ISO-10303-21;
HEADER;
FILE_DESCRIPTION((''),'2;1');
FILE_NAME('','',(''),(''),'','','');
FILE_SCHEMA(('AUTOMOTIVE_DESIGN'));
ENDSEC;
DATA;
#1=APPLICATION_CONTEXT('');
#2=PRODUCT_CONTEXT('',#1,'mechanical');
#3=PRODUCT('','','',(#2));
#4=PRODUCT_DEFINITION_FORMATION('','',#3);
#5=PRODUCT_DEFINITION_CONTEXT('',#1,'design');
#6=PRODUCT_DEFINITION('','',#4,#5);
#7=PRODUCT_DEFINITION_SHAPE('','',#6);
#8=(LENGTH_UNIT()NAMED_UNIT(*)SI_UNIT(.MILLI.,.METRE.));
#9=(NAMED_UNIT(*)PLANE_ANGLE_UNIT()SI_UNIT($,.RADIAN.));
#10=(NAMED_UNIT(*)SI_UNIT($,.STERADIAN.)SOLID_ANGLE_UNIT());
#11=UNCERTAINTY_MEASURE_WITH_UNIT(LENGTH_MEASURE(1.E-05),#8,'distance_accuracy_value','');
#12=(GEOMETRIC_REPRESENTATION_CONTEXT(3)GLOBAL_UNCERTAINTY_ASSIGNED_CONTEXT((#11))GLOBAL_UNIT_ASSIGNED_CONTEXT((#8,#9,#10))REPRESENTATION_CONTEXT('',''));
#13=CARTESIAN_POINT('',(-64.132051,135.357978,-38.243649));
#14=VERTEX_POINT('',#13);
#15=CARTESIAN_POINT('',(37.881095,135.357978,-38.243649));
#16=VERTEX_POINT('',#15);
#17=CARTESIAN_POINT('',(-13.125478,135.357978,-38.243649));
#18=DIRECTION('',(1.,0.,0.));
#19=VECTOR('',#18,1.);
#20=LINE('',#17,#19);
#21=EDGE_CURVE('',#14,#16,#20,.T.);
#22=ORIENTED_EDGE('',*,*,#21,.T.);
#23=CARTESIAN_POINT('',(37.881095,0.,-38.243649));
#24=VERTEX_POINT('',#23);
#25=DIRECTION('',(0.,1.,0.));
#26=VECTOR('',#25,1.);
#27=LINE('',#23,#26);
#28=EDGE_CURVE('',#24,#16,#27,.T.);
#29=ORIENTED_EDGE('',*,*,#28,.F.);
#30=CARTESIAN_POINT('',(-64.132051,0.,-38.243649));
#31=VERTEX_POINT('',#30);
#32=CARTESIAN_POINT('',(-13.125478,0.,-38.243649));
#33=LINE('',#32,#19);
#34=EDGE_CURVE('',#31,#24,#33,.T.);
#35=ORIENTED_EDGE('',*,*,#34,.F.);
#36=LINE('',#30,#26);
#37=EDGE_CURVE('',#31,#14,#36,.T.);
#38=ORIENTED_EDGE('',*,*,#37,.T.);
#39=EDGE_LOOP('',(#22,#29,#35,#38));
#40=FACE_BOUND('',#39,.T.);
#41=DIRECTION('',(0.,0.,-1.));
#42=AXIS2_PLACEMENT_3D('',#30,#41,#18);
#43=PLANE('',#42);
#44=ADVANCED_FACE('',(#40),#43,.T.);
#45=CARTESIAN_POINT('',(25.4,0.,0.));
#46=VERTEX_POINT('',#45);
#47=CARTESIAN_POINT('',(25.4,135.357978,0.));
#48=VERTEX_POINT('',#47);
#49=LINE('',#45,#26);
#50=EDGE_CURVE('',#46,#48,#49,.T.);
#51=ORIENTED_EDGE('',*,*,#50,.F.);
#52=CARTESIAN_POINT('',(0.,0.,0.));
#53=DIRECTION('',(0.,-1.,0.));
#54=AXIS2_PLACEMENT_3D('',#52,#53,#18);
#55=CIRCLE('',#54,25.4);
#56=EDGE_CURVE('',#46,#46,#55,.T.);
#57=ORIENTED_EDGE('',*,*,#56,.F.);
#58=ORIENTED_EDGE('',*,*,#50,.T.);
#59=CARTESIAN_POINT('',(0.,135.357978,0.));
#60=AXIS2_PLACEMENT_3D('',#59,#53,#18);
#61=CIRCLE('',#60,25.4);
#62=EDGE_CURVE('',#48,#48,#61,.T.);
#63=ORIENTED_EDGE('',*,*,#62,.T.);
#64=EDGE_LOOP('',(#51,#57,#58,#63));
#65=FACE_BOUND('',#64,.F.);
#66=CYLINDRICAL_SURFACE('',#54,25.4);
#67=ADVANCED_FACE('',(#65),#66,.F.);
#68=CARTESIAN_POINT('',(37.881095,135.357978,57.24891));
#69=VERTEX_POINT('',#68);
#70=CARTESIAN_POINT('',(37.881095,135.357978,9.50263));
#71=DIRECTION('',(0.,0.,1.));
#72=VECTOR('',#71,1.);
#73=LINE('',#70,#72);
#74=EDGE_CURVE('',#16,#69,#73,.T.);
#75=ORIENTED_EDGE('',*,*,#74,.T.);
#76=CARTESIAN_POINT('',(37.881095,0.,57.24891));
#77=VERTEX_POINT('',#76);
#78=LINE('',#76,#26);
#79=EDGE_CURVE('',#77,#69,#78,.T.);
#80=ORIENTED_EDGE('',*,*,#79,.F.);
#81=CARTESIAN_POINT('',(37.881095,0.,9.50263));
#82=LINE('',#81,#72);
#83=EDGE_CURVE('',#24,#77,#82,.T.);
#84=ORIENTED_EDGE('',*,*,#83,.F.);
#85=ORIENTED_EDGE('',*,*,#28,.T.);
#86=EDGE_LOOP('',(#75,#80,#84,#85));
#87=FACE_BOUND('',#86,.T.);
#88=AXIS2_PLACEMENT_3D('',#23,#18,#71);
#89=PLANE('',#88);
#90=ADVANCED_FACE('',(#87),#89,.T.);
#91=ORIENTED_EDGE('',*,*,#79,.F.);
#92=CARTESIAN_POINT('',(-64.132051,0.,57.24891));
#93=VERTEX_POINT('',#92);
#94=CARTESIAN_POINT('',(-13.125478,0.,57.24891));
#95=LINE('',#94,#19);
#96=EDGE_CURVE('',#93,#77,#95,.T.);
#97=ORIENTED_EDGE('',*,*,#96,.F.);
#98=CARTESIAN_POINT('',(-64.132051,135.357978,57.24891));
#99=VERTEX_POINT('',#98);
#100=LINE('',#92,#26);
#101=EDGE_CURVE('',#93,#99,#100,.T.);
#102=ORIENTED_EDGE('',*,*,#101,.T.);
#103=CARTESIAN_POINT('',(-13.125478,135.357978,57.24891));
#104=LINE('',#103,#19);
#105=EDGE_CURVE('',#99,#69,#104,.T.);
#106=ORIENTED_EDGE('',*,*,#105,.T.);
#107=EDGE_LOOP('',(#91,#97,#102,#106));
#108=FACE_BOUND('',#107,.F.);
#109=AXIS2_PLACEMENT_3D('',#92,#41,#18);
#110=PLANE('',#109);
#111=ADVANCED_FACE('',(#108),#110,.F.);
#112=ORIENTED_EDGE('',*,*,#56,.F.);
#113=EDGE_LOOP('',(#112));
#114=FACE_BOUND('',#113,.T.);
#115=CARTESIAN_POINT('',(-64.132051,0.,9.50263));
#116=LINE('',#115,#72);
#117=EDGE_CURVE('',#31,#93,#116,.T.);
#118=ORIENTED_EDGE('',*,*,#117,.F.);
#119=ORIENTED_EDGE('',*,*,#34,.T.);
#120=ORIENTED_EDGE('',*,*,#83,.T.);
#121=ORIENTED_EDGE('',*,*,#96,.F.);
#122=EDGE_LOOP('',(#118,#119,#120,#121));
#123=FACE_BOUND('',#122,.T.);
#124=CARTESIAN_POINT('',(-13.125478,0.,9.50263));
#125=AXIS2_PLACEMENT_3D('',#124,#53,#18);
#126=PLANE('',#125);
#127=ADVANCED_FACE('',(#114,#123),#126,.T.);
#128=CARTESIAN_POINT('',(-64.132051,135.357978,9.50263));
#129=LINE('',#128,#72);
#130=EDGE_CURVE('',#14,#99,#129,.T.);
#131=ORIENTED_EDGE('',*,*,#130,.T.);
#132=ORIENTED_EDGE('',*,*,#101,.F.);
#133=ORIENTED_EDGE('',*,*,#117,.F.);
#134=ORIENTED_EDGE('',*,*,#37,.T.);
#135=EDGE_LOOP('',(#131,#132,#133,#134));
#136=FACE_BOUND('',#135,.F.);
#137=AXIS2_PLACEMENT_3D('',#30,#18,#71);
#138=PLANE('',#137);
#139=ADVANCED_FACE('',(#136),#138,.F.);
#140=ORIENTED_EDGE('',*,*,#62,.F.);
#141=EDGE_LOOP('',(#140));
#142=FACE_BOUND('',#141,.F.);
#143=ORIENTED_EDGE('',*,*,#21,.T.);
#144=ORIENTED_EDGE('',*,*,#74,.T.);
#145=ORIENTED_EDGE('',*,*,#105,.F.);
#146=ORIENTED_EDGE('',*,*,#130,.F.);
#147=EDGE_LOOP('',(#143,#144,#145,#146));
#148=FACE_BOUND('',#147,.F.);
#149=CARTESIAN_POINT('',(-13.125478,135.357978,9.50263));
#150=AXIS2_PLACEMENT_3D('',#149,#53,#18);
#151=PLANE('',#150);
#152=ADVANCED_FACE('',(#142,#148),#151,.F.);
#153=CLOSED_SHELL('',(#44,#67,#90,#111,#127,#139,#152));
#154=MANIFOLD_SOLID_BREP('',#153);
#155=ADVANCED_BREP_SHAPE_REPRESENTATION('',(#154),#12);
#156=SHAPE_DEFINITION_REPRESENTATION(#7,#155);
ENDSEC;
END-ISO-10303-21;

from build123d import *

# Parameters (mm, degrees)
F0_W     = 102.013146
F0_H     = 95.492559
F0_R     = 25.4
F1_DEPTH = 135.357978


with BuildPart() as f1:
    # F0 (on Front) → F1 (new body)
    with BuildSketch(Plane.XZ):
        with Locations((-13.125478, 9.50263)):
            Rectangle(F0_W, F0_H)
        Circle(F0_R, mode=Mode.SUBTRACT)
    extrude(amount=-F1_DEPTH)


solid = f1.part
